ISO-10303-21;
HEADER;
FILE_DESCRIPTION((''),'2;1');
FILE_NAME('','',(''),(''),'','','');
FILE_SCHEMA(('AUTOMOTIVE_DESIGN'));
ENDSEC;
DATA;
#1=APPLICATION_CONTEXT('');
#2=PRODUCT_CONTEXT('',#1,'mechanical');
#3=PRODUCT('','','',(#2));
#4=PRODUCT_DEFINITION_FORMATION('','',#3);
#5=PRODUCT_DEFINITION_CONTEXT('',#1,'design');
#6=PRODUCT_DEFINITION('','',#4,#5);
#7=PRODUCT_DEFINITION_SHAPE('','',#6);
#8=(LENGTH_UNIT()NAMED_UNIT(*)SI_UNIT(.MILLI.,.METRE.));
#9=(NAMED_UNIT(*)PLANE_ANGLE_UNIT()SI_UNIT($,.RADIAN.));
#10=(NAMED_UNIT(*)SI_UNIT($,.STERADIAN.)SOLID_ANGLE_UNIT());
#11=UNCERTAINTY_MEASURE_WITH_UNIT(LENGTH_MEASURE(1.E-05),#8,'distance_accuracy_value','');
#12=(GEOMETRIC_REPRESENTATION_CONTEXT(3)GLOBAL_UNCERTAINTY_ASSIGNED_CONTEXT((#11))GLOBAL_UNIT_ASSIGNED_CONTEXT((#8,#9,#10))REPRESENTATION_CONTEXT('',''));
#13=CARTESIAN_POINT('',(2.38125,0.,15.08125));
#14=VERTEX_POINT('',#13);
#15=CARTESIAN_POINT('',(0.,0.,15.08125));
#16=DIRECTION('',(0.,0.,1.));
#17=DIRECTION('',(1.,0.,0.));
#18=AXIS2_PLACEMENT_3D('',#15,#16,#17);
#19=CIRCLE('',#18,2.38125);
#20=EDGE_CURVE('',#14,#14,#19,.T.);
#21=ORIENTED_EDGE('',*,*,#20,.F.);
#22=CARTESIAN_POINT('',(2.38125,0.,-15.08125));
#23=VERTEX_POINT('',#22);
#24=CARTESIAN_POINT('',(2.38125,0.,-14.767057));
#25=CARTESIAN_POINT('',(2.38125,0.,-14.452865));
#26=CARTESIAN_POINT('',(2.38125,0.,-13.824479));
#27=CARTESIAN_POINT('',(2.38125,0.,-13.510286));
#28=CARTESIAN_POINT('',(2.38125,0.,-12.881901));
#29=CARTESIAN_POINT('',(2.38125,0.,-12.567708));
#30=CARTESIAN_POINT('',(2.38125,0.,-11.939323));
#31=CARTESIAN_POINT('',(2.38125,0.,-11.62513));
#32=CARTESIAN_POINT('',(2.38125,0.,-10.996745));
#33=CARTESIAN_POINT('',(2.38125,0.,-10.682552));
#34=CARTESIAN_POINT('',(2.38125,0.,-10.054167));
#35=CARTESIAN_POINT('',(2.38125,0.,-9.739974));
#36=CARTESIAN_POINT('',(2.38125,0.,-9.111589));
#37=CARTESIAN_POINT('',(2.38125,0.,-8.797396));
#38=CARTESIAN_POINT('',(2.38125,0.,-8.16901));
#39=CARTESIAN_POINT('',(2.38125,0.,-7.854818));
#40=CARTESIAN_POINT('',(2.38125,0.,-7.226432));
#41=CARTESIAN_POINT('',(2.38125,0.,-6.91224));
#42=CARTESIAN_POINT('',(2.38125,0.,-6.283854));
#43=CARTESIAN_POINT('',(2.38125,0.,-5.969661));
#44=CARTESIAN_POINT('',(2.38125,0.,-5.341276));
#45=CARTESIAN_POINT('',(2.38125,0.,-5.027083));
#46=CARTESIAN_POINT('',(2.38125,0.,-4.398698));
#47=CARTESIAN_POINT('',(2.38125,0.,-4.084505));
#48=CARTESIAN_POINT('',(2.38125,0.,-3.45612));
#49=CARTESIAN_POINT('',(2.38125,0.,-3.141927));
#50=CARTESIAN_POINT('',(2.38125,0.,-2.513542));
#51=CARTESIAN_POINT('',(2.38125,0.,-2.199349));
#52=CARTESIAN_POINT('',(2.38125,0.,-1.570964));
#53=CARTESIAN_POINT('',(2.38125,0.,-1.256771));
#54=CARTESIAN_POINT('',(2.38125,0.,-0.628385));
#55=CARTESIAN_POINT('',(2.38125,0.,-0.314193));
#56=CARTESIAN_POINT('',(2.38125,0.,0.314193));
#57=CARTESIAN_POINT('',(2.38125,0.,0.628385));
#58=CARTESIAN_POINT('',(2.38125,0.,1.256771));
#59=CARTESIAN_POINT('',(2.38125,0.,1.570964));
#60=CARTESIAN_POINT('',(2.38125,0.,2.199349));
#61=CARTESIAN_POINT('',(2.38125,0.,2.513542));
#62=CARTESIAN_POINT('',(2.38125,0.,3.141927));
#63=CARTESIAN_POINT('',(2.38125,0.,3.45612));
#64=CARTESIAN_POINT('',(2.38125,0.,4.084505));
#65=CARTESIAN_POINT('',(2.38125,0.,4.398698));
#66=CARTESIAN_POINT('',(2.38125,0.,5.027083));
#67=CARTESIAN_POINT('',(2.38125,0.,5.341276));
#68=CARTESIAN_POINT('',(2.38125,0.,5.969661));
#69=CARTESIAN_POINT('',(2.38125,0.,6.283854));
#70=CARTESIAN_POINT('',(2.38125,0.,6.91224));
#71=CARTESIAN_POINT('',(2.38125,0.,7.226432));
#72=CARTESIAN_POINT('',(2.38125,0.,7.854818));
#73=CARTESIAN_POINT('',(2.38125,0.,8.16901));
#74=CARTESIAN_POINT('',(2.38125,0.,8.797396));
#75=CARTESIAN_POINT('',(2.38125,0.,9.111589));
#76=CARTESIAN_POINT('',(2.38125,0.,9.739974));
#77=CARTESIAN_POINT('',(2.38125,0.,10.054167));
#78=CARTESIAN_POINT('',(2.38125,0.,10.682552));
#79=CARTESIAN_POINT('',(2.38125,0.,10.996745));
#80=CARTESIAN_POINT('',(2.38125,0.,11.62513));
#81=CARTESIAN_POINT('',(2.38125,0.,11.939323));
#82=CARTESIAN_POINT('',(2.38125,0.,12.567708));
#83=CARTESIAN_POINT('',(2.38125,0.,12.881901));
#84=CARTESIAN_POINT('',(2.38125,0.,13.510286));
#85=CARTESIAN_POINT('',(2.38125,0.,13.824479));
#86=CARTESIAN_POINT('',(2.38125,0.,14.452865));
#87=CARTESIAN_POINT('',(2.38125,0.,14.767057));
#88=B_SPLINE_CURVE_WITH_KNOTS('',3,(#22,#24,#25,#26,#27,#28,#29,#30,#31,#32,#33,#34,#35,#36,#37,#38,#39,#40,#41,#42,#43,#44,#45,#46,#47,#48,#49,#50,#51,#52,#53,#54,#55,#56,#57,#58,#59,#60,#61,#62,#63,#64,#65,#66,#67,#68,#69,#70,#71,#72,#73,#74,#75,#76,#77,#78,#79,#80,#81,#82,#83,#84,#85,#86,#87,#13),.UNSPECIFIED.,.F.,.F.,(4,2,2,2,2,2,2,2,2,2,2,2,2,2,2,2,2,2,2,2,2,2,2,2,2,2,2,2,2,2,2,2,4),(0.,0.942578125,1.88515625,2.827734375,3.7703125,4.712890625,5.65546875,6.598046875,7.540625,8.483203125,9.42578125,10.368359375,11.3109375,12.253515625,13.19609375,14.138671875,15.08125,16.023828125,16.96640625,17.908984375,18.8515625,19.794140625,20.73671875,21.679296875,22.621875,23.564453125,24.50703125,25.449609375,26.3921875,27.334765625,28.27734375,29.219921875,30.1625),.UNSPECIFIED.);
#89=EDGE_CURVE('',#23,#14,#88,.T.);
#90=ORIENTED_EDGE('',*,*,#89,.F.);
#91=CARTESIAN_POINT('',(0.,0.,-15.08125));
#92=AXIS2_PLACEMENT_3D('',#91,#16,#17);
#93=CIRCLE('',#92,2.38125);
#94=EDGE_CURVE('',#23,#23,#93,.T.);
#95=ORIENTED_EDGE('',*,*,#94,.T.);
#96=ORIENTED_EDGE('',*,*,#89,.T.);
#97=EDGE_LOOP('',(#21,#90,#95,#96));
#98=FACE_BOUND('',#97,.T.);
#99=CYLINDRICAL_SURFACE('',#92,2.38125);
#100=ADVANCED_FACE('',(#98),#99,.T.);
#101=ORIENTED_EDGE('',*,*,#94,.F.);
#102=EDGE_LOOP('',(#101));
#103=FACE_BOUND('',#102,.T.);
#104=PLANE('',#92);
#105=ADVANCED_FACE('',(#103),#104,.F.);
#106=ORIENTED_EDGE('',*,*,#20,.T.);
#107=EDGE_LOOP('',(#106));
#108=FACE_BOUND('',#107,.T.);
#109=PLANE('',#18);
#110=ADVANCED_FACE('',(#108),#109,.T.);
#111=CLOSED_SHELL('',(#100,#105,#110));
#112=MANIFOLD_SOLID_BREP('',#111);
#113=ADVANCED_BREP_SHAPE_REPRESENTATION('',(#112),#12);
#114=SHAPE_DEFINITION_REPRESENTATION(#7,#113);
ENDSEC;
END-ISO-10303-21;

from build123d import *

# Parameters (mm, degrees)
SKETCH1_R           = 2.38125
BOSS_EXTRUDE1_DEPTH = 15.08125


with BuildPart() as part:
    # Sketch1 → Boss-Extrude1 (new, symmetric)
    with BuildSketch(Plane.XY):
        Circle(SKETCH1_R)
    extrude(amount=BOSS_EXTRUDE1_DEPTH, both=True)


solid = part.part
